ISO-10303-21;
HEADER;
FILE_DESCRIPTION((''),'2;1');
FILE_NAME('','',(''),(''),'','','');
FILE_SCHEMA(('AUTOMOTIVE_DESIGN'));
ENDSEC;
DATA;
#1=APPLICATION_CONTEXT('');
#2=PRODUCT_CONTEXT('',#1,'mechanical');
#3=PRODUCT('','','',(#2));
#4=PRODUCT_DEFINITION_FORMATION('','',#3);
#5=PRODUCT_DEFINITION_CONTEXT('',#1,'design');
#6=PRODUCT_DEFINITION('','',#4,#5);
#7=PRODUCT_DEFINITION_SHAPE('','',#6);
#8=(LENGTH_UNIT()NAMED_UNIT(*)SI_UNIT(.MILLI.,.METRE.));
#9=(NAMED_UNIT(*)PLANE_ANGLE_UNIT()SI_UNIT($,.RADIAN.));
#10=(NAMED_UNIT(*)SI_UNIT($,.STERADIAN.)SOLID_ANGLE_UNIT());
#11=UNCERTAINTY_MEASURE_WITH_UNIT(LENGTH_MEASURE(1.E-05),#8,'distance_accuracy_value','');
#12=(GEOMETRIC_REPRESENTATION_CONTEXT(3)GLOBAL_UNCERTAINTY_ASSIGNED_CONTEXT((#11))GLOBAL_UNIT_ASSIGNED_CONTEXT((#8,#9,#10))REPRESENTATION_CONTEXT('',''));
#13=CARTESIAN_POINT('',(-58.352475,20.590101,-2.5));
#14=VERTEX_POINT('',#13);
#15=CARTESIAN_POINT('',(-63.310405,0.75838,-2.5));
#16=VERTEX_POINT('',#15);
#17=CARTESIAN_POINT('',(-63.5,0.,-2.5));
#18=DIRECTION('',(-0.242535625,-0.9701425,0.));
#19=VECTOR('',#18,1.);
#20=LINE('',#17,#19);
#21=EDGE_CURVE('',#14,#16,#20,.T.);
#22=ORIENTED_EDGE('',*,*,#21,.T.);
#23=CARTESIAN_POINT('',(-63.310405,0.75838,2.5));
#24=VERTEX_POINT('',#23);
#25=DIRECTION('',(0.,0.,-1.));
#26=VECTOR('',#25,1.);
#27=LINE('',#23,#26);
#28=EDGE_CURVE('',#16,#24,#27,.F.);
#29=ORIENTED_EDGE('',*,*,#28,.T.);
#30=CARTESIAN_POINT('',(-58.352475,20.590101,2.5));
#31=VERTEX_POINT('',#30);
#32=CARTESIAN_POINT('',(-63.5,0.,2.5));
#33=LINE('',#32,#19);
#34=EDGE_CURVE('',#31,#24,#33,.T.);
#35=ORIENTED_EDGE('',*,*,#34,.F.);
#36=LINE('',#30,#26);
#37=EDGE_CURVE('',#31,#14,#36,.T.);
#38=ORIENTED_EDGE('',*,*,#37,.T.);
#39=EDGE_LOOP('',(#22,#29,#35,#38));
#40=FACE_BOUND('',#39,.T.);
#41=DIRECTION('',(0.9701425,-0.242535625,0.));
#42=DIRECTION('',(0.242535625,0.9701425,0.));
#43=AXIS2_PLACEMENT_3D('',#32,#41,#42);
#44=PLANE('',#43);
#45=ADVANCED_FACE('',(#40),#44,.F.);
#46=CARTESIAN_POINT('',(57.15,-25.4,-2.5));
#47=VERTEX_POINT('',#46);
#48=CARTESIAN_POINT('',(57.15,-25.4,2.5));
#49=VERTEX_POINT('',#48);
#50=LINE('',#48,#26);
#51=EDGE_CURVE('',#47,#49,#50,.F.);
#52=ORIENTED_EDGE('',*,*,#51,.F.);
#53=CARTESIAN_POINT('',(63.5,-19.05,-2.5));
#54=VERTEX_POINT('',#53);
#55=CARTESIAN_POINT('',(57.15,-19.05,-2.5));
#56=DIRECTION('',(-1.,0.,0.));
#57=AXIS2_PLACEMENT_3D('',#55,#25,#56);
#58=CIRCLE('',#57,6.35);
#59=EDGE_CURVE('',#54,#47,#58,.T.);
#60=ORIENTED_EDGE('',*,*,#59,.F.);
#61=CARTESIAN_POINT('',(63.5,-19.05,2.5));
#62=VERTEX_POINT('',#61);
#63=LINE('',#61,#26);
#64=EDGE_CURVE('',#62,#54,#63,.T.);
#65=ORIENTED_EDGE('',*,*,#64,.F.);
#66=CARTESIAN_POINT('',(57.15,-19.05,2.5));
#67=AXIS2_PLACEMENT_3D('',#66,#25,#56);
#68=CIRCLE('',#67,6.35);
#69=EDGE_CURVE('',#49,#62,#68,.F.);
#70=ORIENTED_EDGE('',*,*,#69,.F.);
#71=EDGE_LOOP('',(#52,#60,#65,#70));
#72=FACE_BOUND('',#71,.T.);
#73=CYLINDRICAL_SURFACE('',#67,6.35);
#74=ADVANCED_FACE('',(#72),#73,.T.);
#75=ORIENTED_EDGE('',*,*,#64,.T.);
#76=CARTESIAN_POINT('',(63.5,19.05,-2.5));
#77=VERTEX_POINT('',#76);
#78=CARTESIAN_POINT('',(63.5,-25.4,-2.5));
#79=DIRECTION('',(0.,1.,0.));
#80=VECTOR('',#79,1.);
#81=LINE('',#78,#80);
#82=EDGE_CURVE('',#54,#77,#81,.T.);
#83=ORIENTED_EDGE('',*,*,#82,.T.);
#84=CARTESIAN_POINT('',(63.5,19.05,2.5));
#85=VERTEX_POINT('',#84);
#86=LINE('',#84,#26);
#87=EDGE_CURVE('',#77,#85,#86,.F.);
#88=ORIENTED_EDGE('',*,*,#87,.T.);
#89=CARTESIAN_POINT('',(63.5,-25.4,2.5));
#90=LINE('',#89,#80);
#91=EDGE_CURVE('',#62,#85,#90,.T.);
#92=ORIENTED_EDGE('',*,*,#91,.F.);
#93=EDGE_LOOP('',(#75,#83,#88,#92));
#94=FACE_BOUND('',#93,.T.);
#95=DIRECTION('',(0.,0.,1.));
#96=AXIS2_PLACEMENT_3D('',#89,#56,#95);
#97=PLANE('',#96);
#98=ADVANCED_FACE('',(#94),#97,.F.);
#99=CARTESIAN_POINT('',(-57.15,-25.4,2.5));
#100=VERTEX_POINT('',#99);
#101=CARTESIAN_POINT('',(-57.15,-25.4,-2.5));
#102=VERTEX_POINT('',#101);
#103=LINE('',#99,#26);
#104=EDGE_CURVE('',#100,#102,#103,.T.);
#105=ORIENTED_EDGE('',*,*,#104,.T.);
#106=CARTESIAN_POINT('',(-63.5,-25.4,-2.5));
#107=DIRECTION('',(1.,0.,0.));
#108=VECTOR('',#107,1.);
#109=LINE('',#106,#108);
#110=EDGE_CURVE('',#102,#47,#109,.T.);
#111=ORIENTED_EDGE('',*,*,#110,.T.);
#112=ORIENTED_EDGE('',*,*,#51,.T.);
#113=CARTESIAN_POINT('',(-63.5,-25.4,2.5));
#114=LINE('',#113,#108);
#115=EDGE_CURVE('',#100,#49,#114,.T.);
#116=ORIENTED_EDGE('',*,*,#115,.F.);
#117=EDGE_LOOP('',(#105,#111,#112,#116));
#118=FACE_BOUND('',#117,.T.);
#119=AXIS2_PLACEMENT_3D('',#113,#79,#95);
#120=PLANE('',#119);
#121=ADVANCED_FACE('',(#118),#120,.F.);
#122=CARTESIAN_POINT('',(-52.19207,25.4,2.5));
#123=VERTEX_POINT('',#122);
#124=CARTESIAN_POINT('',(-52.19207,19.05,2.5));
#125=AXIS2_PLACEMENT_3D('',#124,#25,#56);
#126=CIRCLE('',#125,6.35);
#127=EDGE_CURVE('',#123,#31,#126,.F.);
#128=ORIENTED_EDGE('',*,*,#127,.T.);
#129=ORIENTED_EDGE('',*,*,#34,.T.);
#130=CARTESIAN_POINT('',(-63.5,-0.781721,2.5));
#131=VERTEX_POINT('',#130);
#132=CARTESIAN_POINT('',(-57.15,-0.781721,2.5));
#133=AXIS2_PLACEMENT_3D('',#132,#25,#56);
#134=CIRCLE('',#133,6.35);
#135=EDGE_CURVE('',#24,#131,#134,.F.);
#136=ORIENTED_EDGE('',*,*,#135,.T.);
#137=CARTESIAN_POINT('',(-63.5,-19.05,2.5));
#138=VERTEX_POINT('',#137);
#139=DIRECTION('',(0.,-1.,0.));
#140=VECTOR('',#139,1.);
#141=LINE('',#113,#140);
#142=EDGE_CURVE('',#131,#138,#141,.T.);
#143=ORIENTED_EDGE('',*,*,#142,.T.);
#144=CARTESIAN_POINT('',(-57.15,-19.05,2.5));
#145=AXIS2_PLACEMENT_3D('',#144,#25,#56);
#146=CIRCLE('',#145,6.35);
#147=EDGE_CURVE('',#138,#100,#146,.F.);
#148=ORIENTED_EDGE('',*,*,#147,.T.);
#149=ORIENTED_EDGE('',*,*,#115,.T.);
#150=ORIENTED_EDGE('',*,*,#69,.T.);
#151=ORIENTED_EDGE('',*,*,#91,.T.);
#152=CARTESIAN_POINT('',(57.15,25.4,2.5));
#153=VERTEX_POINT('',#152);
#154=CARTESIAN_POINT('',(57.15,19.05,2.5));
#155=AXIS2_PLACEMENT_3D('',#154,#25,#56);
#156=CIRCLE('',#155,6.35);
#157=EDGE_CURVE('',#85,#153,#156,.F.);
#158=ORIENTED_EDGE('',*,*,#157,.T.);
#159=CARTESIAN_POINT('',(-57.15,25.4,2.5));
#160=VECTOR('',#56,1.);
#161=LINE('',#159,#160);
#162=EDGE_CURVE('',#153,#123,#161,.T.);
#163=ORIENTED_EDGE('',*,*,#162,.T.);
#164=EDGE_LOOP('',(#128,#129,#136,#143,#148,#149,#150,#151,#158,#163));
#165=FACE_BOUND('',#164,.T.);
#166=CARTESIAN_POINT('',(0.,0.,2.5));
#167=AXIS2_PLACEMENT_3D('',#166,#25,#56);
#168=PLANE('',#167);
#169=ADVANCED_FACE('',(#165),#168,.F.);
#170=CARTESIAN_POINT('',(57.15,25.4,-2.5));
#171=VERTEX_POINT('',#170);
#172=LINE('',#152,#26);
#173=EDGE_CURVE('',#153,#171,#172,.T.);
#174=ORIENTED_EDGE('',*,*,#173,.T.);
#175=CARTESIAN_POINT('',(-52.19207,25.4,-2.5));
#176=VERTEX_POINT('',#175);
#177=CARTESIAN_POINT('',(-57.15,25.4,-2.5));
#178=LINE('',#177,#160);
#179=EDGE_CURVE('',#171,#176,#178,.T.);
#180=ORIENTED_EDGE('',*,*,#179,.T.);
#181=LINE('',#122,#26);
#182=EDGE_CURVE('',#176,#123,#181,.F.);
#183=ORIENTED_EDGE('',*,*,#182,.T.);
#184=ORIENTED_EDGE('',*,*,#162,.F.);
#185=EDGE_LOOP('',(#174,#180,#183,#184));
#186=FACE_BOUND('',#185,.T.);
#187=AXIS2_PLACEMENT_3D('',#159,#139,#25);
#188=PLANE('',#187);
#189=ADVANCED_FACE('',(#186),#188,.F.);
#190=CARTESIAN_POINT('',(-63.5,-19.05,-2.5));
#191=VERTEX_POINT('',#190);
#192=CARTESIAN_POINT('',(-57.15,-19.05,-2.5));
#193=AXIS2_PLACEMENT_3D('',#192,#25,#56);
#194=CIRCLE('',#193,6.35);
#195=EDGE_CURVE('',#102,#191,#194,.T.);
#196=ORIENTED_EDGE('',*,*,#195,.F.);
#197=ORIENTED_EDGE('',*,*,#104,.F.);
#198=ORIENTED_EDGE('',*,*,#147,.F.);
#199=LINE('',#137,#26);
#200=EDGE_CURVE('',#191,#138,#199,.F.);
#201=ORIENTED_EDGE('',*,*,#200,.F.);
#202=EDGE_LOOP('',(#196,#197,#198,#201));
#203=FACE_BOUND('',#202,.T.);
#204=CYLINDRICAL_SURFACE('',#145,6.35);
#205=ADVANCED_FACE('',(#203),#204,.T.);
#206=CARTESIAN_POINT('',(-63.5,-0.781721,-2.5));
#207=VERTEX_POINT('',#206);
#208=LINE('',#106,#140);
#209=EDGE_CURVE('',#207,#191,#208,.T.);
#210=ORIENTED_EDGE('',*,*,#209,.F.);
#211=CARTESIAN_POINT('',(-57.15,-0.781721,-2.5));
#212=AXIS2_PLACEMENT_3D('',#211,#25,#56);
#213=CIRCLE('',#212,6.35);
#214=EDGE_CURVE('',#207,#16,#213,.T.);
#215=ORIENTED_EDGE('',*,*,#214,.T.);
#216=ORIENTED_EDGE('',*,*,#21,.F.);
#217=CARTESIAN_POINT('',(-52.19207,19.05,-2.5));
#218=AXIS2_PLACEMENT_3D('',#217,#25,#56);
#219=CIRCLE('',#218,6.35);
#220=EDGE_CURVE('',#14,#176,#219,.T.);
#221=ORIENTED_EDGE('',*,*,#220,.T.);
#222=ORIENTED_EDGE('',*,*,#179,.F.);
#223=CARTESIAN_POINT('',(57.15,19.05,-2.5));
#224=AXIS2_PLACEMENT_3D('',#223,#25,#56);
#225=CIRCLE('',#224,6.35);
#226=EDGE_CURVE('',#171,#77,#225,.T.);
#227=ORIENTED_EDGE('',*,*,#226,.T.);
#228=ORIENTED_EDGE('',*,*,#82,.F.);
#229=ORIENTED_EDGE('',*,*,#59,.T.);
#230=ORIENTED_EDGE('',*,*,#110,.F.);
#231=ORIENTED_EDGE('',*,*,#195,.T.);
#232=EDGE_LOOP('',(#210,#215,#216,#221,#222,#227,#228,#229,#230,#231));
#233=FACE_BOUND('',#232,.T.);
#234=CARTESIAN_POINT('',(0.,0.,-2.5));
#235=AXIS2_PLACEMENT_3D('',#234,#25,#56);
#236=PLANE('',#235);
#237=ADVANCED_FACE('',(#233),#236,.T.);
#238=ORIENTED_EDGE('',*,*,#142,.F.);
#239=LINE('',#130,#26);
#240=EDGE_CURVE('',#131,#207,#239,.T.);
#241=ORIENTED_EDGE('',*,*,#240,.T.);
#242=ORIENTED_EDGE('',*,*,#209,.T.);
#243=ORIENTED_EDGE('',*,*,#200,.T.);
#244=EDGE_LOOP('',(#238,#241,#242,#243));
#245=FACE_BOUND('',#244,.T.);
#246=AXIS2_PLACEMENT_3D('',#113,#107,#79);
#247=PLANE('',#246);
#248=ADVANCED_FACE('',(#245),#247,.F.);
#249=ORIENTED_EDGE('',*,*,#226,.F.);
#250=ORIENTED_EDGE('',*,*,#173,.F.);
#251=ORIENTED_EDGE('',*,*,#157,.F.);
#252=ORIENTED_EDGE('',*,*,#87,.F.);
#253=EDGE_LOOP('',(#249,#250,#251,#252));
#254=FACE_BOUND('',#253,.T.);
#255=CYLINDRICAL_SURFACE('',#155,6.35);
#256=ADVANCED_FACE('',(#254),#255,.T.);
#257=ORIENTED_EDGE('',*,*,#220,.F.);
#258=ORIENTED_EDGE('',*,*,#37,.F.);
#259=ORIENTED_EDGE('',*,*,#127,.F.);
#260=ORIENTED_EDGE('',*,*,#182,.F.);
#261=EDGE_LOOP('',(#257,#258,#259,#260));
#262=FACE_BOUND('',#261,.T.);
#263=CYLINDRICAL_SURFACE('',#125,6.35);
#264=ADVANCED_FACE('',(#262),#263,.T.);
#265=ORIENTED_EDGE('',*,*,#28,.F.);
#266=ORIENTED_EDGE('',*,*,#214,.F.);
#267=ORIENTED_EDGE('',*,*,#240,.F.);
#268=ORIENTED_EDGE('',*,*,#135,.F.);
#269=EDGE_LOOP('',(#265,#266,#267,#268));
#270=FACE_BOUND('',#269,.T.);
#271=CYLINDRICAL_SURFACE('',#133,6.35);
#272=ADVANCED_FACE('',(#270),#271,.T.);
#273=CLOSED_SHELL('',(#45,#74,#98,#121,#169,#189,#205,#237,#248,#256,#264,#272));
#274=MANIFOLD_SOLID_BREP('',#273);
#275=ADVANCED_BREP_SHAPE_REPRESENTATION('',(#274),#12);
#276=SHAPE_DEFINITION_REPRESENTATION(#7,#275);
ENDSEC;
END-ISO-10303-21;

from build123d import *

# Parameters (mm, degrees)
BOSS_EXTRUDE1_DEPTH = 2.5
FILLET1_R           = 6.35


with BuildPart() as part:
    # Sketch1 → Boss-Extrude1 (new, symmetric)
    with BuildSketch(Plane.XY):
        Polygon((-63.5, 0), (-57.15, 25.4), (63.5, 25.4), (63.5, -25.4), (-63.5, -25.4), align=None)
    extrude(amount=BOSS_EXTRUDE1_DEPTH, both=True)

    # Fillet1
    fillet1_edges = [part.edges().sort_by_distance(p)[0] for p in [
        (63.5, -25.4, 0),
        (-63.5, -25.4, 0),
        (-63.5, 0, 0),
        (-57.15, 25.4, 0),
        (63.5, 25.4, 0),
    ]]
    fillet(fillet1_edges, radius=FILLET1_R)


solid = part.part
